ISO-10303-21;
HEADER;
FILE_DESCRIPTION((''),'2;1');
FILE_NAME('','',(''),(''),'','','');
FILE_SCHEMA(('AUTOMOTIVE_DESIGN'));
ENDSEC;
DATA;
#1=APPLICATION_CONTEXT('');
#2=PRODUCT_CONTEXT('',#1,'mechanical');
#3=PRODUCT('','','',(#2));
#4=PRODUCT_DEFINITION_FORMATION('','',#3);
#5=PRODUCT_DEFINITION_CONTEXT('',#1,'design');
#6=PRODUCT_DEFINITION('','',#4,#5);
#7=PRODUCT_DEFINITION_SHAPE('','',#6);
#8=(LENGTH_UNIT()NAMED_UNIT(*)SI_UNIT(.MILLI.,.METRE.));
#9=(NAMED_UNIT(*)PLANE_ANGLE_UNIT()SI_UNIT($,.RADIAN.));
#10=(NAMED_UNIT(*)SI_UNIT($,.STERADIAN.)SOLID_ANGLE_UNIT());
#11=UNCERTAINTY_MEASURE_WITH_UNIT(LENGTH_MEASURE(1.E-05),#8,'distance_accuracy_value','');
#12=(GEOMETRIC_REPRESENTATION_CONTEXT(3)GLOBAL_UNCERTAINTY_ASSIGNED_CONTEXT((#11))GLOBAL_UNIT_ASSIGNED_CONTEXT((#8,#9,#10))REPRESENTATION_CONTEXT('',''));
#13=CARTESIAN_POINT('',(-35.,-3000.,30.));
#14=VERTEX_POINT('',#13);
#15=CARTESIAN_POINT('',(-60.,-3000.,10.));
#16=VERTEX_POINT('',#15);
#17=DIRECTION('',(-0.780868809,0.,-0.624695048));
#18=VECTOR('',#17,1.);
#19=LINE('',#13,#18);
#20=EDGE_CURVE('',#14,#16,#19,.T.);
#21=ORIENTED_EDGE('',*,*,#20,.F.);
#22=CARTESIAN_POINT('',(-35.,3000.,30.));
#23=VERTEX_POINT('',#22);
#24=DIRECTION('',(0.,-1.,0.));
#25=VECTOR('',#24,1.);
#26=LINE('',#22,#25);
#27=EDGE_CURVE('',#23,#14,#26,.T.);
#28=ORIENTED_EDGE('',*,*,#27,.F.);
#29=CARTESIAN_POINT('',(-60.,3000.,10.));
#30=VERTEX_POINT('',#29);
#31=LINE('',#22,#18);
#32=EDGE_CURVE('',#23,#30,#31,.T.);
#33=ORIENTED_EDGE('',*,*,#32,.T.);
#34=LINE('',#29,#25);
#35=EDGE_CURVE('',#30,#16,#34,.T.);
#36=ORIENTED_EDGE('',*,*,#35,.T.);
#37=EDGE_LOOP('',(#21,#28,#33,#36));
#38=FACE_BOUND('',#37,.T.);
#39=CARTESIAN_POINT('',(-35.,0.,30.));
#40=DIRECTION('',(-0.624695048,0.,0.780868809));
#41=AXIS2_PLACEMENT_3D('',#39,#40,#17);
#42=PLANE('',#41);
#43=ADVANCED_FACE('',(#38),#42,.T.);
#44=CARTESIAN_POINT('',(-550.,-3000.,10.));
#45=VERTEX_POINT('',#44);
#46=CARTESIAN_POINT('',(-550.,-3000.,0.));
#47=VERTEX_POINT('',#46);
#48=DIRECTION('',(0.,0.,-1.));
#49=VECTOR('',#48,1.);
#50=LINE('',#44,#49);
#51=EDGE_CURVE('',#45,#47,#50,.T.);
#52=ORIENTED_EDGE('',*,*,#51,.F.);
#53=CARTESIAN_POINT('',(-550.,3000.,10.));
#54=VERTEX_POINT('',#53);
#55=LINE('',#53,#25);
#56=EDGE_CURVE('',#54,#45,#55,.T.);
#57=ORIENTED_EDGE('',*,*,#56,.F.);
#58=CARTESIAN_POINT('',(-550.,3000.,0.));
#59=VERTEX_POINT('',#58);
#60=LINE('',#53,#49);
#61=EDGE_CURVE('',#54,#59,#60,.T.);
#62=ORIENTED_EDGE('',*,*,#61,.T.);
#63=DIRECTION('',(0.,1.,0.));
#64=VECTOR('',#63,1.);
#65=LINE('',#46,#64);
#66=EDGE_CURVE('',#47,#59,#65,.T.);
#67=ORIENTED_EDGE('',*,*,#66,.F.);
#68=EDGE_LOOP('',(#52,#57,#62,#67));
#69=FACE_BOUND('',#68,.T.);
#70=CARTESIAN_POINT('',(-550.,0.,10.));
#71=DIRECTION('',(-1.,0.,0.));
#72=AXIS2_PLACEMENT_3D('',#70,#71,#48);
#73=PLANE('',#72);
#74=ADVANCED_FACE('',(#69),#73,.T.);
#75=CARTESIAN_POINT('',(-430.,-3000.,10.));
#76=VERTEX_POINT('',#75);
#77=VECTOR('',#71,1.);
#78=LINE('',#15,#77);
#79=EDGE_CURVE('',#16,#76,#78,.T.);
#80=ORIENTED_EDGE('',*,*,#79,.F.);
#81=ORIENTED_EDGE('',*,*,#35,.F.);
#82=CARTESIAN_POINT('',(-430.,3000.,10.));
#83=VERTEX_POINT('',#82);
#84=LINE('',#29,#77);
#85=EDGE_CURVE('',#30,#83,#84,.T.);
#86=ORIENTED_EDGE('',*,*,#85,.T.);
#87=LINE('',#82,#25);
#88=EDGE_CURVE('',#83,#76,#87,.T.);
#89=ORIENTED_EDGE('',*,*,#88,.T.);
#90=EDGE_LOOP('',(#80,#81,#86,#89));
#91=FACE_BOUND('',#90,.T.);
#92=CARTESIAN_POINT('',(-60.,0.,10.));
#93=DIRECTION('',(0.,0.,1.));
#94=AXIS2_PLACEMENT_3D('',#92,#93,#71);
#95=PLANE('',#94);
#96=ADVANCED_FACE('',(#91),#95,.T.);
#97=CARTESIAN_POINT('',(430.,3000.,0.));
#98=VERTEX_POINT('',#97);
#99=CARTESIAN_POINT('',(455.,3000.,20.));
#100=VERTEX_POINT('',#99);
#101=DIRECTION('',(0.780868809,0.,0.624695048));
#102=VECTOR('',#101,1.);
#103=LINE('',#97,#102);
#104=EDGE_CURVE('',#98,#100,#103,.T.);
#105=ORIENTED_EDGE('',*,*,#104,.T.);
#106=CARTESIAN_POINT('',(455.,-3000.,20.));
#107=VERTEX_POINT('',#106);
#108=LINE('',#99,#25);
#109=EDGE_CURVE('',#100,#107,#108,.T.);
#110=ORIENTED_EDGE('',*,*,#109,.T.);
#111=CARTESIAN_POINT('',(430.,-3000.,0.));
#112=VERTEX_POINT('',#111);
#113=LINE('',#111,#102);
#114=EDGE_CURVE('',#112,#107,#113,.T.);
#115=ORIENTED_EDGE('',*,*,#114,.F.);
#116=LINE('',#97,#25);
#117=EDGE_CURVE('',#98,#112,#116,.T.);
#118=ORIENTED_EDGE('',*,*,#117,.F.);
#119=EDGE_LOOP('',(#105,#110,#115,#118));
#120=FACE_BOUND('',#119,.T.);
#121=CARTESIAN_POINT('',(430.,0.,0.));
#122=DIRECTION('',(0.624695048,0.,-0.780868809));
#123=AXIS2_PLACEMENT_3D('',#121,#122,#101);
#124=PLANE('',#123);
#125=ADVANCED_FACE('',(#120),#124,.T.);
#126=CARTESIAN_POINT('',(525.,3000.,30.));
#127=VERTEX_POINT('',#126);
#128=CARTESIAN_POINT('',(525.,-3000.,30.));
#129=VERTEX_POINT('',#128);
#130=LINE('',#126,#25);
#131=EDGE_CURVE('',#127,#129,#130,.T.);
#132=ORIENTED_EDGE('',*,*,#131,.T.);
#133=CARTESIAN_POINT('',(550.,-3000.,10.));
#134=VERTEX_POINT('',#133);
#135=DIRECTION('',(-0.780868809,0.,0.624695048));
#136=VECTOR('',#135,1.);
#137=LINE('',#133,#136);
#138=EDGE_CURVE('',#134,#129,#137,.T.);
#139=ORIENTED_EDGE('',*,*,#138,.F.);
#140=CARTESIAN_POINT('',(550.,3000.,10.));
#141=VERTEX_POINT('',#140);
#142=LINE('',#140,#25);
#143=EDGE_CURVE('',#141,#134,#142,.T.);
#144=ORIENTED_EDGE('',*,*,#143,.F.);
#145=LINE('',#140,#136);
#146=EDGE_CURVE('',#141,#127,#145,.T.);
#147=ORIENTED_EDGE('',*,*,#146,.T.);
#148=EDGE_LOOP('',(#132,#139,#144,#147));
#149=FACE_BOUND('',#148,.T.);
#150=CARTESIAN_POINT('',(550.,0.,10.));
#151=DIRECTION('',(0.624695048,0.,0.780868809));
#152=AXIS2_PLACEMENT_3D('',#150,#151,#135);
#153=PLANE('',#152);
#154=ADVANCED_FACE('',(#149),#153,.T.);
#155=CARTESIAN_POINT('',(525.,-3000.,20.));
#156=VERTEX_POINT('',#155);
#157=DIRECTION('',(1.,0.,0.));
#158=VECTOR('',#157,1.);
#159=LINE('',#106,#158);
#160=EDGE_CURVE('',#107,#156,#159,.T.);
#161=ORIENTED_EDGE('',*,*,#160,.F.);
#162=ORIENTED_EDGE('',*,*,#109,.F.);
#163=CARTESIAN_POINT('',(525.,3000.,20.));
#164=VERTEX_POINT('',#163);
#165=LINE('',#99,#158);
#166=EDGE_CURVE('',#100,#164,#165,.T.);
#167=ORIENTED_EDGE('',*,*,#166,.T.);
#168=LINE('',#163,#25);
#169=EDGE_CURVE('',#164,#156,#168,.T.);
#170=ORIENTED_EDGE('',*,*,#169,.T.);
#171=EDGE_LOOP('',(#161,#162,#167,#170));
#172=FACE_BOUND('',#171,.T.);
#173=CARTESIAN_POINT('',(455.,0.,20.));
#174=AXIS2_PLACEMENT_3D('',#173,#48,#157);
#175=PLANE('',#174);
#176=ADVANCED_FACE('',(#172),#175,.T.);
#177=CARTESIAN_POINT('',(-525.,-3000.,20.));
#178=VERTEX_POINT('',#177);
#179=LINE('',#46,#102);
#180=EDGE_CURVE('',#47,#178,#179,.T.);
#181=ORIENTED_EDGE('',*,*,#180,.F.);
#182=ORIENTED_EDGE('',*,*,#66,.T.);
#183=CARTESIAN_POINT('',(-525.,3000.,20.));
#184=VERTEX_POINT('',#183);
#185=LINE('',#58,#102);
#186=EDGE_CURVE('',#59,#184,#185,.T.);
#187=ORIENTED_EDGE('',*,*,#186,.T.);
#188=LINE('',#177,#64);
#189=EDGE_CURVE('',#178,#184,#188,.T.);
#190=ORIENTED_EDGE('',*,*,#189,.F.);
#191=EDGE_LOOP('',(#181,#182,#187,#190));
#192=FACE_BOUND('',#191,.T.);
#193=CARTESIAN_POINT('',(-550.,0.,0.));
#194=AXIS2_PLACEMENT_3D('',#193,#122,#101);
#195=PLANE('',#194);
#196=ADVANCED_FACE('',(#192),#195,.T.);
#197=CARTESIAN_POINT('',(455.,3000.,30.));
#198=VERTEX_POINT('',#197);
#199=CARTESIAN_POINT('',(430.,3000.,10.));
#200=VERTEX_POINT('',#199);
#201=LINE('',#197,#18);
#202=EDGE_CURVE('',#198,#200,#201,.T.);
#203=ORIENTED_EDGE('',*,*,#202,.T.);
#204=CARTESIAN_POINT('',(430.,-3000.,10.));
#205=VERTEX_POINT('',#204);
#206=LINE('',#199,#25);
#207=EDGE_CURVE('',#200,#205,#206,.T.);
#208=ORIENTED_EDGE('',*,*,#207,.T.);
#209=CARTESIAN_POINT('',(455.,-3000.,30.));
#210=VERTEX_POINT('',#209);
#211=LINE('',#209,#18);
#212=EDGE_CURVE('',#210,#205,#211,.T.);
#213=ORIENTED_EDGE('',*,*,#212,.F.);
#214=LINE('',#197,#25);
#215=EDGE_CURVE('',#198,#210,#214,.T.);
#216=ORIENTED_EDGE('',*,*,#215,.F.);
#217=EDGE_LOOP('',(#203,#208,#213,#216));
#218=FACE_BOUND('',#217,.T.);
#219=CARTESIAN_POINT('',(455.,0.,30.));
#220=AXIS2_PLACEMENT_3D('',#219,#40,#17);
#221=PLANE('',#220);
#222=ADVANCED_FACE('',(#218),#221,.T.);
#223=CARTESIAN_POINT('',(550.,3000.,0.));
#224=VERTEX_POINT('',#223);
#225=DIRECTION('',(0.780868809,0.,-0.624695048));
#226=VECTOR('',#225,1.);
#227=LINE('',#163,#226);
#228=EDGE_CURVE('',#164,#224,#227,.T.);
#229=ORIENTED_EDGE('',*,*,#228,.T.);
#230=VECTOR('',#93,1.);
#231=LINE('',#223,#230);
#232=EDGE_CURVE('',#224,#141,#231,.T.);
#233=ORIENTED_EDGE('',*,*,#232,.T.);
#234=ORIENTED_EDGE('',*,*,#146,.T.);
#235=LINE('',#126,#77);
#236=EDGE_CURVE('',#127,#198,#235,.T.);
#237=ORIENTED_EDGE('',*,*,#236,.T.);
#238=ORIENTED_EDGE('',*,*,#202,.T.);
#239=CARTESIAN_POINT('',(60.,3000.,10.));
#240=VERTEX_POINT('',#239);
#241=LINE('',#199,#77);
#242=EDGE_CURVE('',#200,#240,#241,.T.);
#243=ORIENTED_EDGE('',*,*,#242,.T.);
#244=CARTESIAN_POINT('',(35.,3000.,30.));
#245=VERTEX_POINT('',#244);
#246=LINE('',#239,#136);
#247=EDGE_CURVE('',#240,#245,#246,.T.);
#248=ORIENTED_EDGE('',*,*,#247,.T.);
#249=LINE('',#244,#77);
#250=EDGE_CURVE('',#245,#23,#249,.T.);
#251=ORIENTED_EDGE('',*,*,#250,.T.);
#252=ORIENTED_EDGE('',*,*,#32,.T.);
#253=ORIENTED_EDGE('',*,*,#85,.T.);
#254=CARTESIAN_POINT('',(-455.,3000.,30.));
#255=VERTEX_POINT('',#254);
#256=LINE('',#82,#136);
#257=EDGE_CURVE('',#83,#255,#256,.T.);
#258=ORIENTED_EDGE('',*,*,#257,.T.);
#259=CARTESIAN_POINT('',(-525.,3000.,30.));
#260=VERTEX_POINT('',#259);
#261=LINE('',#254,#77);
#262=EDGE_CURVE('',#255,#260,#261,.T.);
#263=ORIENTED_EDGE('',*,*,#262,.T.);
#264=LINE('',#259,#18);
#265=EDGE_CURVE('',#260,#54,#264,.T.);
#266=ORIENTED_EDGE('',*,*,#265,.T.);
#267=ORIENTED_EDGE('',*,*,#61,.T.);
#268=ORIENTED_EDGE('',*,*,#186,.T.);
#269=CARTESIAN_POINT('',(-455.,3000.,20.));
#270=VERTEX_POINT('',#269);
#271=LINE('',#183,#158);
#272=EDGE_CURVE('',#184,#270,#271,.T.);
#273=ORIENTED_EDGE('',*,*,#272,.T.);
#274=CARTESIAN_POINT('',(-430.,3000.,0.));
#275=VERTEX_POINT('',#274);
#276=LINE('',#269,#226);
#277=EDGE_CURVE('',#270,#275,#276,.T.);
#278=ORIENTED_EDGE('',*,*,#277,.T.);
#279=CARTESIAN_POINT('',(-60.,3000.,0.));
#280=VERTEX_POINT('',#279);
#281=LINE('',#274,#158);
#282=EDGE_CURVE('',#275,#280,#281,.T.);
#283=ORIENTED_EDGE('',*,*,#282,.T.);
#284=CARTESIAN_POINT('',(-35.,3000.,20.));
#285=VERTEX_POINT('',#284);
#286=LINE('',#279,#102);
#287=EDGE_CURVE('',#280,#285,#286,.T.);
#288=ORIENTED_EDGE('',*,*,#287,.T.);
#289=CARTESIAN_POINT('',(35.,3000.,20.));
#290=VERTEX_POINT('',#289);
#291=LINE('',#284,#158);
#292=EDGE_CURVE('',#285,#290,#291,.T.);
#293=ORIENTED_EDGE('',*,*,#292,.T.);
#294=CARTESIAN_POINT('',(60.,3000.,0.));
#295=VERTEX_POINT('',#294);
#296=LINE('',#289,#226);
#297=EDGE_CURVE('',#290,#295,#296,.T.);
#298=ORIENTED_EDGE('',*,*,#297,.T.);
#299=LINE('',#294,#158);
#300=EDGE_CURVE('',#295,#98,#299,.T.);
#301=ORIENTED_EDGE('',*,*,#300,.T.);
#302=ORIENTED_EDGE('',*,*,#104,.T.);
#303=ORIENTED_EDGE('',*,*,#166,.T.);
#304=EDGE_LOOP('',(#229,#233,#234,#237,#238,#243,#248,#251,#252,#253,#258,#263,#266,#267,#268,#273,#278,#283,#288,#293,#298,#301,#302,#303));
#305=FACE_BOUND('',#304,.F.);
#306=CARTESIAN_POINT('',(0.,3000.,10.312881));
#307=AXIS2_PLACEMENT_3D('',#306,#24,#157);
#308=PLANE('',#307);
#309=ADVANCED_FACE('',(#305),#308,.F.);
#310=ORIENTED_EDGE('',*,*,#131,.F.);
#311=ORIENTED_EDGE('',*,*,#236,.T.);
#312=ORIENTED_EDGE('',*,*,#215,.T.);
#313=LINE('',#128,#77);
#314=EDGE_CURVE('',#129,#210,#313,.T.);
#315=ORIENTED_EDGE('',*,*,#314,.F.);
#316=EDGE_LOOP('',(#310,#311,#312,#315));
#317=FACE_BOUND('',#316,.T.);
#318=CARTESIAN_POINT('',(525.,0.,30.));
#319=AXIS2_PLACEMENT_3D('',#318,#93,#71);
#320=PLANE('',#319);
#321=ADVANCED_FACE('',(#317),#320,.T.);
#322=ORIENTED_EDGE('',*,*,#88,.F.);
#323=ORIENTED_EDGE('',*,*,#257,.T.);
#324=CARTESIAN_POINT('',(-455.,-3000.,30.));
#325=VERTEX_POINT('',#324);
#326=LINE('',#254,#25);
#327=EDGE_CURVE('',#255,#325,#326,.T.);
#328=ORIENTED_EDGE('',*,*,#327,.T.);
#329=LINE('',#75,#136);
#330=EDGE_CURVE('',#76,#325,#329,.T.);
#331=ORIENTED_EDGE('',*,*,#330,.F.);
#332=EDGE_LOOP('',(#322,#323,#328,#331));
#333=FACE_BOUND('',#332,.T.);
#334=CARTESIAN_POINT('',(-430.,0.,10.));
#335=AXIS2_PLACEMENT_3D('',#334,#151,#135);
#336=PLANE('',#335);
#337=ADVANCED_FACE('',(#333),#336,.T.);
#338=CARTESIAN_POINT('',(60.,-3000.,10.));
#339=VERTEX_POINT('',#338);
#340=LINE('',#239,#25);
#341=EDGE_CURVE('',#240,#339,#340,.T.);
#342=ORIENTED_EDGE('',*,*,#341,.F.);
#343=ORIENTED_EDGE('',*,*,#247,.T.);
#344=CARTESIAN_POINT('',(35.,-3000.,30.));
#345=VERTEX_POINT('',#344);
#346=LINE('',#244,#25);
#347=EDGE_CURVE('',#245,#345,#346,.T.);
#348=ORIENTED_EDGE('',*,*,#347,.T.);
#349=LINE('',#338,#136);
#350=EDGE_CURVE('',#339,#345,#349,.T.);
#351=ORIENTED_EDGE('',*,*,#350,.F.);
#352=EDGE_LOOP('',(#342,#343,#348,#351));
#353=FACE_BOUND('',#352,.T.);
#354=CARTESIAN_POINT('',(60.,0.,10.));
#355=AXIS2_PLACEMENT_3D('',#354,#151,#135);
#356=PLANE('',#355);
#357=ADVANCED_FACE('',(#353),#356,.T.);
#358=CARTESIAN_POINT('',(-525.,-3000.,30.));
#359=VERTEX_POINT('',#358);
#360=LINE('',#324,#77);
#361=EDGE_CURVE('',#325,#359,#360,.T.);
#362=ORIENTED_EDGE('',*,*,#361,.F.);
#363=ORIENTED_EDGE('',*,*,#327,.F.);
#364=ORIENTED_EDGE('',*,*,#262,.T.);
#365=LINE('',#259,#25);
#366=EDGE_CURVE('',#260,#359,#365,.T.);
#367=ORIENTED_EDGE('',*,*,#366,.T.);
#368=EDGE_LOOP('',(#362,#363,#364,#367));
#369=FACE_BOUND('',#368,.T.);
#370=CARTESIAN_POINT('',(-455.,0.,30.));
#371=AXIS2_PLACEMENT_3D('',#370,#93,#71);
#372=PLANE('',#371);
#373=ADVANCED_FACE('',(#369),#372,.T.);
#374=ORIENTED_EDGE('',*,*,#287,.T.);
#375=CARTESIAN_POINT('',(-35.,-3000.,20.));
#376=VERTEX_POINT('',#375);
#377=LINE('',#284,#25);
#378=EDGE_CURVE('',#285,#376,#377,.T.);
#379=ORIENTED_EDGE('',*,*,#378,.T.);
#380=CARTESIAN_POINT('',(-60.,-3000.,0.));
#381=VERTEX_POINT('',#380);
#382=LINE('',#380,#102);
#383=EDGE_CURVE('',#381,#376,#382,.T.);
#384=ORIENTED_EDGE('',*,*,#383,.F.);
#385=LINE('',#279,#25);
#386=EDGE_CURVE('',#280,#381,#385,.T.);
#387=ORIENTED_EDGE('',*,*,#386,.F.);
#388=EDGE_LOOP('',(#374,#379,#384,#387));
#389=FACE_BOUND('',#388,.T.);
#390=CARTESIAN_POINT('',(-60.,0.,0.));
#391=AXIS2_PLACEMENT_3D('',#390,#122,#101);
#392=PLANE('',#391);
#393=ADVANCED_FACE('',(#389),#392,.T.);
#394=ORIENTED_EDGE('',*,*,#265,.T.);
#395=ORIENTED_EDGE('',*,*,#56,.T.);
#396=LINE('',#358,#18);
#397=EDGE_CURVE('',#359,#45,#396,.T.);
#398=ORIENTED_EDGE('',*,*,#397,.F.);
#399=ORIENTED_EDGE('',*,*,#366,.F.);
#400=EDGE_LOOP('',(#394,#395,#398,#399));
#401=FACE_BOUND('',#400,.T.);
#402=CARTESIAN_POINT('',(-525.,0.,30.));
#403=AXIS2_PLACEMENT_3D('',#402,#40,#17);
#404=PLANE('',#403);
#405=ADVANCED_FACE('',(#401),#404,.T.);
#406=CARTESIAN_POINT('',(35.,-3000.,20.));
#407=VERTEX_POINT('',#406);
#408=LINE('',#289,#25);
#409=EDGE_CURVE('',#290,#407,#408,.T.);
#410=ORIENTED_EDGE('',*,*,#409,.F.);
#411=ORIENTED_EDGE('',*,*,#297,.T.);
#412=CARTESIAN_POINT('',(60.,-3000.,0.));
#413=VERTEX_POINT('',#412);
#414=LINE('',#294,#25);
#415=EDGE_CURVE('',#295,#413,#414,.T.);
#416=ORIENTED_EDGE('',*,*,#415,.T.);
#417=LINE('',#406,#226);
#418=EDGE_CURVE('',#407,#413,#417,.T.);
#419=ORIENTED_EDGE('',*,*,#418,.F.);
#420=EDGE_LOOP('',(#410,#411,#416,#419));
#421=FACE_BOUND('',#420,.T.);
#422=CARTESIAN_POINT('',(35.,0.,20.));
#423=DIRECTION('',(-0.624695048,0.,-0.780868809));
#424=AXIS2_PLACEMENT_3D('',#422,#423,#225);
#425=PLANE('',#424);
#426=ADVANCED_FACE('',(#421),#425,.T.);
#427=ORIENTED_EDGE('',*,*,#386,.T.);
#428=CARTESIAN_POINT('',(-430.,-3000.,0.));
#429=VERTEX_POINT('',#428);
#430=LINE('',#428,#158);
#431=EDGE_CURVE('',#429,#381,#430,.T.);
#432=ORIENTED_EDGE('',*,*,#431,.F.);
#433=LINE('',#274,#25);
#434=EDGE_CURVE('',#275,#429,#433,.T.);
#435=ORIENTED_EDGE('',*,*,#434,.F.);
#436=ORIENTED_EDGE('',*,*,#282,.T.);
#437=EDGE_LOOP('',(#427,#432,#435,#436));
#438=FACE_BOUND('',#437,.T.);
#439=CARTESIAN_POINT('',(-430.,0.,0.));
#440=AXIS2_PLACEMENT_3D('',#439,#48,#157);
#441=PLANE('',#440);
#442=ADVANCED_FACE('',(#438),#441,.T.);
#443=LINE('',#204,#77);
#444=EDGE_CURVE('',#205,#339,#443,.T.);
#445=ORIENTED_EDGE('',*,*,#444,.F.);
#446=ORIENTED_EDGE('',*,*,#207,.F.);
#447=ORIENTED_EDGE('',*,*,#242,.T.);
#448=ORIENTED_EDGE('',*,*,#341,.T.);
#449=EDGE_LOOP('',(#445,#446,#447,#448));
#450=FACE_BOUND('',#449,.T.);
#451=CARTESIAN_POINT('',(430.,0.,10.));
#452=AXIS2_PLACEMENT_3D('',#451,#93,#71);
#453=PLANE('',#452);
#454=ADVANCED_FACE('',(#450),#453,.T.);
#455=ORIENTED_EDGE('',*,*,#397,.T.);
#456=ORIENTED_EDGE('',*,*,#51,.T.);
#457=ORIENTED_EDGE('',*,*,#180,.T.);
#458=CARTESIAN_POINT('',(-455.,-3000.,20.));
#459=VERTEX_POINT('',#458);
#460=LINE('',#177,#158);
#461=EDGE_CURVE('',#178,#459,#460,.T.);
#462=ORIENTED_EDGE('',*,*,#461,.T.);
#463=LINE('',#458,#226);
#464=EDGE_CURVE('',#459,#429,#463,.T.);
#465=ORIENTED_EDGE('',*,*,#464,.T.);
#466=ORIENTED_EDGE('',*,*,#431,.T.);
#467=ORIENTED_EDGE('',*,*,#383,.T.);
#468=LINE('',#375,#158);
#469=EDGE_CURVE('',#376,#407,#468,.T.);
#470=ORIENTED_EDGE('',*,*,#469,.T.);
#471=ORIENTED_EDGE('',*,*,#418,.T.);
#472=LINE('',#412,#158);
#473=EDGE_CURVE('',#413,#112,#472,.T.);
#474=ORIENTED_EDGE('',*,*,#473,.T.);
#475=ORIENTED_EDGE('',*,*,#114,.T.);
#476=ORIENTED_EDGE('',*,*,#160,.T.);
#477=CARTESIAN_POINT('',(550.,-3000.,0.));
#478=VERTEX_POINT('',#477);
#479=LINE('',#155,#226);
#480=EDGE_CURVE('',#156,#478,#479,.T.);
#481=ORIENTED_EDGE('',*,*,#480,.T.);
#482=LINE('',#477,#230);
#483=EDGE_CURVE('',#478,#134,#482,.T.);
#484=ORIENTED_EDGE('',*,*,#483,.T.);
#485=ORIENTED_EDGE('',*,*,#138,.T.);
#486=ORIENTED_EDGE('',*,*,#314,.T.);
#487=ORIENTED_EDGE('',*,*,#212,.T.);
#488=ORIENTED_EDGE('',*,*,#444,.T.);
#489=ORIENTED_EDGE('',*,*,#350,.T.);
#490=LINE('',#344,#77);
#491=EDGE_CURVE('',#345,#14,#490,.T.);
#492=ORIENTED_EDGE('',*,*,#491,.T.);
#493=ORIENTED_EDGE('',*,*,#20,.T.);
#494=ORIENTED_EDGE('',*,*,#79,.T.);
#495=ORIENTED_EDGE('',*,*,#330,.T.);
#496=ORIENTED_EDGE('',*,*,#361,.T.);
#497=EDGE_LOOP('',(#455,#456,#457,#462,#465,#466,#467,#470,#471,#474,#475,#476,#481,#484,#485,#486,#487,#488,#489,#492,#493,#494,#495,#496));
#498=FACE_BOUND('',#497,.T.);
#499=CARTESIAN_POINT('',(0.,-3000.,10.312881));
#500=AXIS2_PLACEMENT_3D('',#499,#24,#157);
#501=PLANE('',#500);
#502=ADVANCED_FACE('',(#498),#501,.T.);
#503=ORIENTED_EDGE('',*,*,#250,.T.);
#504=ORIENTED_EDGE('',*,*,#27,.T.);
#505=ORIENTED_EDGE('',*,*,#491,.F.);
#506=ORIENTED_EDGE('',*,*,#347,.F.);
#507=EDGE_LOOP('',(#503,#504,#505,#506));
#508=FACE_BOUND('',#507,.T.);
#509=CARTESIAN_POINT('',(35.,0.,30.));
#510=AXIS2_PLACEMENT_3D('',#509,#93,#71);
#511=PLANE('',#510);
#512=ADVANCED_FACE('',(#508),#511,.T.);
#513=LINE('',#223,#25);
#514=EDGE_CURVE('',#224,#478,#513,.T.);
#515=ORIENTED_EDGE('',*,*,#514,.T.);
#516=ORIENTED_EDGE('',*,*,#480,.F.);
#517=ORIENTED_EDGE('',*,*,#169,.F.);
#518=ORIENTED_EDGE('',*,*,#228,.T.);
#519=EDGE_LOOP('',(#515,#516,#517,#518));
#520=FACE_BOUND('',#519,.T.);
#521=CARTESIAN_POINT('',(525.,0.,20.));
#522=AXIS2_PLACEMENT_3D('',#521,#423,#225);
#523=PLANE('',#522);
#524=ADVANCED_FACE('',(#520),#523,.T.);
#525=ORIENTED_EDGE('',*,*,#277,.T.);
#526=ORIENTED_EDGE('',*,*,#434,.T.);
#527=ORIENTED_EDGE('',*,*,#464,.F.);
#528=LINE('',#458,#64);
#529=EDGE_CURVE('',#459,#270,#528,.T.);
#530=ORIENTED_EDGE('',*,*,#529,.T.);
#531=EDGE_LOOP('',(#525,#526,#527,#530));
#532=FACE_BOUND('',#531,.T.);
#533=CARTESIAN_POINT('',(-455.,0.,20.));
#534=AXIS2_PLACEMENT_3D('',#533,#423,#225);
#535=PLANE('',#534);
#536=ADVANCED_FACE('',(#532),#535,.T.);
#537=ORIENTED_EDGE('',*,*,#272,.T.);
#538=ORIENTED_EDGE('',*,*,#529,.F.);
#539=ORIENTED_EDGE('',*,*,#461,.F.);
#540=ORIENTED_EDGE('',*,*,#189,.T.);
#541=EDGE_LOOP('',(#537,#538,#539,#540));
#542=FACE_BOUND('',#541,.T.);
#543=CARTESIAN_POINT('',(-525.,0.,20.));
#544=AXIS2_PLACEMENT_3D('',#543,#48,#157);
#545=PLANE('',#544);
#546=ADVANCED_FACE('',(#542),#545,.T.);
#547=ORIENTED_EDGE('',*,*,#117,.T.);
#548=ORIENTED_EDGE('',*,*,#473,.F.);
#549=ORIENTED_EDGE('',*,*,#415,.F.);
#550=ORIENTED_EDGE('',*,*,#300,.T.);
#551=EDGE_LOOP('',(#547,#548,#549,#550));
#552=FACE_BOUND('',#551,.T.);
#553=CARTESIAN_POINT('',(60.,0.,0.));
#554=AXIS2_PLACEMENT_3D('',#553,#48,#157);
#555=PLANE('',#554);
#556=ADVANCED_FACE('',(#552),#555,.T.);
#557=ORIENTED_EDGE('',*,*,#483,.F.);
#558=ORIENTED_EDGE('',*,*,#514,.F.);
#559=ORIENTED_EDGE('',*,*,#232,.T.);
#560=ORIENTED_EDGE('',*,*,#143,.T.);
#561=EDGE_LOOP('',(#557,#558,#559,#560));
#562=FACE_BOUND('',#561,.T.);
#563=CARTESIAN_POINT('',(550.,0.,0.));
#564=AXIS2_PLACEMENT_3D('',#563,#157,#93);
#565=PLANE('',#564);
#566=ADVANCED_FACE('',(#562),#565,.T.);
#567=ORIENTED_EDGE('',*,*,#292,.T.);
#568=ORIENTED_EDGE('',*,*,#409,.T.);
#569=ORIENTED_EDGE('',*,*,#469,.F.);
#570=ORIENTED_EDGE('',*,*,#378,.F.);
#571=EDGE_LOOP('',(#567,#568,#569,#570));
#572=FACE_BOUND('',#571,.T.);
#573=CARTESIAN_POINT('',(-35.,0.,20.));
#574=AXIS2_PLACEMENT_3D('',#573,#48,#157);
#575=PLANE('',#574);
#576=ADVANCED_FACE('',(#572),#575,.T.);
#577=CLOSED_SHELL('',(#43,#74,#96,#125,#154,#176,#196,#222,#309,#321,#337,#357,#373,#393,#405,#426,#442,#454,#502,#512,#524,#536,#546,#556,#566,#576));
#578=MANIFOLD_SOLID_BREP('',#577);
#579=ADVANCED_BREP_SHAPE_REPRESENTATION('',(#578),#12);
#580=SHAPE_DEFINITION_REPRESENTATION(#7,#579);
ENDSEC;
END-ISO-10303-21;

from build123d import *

# Parameters (mm, degrees)
F1_DEPTH = 3000


with BuildPart() as f1:
    # F0 (on Front) → F1 (new body, symmetric)
    with BuildSketch(Plane.XZ):
        Polygon((-455, 20), (-430, 0), (-60, 0), (-35, 20), (35, 20), (60, 0), (430, 0), (455, 20), (525, 20), (550, 0), (550, 10), (525, 30), (455, 30), (430, 10), (60, 10), (35, 30), (-35, 30), (-60, 10), (-430, 10), (-455, 30), (-525, 30), (-550, 10), (-550, 0), (-525, 20), align=None)
    extrude(amount=F1_DEPTH, both=True)


solid = f1.part
